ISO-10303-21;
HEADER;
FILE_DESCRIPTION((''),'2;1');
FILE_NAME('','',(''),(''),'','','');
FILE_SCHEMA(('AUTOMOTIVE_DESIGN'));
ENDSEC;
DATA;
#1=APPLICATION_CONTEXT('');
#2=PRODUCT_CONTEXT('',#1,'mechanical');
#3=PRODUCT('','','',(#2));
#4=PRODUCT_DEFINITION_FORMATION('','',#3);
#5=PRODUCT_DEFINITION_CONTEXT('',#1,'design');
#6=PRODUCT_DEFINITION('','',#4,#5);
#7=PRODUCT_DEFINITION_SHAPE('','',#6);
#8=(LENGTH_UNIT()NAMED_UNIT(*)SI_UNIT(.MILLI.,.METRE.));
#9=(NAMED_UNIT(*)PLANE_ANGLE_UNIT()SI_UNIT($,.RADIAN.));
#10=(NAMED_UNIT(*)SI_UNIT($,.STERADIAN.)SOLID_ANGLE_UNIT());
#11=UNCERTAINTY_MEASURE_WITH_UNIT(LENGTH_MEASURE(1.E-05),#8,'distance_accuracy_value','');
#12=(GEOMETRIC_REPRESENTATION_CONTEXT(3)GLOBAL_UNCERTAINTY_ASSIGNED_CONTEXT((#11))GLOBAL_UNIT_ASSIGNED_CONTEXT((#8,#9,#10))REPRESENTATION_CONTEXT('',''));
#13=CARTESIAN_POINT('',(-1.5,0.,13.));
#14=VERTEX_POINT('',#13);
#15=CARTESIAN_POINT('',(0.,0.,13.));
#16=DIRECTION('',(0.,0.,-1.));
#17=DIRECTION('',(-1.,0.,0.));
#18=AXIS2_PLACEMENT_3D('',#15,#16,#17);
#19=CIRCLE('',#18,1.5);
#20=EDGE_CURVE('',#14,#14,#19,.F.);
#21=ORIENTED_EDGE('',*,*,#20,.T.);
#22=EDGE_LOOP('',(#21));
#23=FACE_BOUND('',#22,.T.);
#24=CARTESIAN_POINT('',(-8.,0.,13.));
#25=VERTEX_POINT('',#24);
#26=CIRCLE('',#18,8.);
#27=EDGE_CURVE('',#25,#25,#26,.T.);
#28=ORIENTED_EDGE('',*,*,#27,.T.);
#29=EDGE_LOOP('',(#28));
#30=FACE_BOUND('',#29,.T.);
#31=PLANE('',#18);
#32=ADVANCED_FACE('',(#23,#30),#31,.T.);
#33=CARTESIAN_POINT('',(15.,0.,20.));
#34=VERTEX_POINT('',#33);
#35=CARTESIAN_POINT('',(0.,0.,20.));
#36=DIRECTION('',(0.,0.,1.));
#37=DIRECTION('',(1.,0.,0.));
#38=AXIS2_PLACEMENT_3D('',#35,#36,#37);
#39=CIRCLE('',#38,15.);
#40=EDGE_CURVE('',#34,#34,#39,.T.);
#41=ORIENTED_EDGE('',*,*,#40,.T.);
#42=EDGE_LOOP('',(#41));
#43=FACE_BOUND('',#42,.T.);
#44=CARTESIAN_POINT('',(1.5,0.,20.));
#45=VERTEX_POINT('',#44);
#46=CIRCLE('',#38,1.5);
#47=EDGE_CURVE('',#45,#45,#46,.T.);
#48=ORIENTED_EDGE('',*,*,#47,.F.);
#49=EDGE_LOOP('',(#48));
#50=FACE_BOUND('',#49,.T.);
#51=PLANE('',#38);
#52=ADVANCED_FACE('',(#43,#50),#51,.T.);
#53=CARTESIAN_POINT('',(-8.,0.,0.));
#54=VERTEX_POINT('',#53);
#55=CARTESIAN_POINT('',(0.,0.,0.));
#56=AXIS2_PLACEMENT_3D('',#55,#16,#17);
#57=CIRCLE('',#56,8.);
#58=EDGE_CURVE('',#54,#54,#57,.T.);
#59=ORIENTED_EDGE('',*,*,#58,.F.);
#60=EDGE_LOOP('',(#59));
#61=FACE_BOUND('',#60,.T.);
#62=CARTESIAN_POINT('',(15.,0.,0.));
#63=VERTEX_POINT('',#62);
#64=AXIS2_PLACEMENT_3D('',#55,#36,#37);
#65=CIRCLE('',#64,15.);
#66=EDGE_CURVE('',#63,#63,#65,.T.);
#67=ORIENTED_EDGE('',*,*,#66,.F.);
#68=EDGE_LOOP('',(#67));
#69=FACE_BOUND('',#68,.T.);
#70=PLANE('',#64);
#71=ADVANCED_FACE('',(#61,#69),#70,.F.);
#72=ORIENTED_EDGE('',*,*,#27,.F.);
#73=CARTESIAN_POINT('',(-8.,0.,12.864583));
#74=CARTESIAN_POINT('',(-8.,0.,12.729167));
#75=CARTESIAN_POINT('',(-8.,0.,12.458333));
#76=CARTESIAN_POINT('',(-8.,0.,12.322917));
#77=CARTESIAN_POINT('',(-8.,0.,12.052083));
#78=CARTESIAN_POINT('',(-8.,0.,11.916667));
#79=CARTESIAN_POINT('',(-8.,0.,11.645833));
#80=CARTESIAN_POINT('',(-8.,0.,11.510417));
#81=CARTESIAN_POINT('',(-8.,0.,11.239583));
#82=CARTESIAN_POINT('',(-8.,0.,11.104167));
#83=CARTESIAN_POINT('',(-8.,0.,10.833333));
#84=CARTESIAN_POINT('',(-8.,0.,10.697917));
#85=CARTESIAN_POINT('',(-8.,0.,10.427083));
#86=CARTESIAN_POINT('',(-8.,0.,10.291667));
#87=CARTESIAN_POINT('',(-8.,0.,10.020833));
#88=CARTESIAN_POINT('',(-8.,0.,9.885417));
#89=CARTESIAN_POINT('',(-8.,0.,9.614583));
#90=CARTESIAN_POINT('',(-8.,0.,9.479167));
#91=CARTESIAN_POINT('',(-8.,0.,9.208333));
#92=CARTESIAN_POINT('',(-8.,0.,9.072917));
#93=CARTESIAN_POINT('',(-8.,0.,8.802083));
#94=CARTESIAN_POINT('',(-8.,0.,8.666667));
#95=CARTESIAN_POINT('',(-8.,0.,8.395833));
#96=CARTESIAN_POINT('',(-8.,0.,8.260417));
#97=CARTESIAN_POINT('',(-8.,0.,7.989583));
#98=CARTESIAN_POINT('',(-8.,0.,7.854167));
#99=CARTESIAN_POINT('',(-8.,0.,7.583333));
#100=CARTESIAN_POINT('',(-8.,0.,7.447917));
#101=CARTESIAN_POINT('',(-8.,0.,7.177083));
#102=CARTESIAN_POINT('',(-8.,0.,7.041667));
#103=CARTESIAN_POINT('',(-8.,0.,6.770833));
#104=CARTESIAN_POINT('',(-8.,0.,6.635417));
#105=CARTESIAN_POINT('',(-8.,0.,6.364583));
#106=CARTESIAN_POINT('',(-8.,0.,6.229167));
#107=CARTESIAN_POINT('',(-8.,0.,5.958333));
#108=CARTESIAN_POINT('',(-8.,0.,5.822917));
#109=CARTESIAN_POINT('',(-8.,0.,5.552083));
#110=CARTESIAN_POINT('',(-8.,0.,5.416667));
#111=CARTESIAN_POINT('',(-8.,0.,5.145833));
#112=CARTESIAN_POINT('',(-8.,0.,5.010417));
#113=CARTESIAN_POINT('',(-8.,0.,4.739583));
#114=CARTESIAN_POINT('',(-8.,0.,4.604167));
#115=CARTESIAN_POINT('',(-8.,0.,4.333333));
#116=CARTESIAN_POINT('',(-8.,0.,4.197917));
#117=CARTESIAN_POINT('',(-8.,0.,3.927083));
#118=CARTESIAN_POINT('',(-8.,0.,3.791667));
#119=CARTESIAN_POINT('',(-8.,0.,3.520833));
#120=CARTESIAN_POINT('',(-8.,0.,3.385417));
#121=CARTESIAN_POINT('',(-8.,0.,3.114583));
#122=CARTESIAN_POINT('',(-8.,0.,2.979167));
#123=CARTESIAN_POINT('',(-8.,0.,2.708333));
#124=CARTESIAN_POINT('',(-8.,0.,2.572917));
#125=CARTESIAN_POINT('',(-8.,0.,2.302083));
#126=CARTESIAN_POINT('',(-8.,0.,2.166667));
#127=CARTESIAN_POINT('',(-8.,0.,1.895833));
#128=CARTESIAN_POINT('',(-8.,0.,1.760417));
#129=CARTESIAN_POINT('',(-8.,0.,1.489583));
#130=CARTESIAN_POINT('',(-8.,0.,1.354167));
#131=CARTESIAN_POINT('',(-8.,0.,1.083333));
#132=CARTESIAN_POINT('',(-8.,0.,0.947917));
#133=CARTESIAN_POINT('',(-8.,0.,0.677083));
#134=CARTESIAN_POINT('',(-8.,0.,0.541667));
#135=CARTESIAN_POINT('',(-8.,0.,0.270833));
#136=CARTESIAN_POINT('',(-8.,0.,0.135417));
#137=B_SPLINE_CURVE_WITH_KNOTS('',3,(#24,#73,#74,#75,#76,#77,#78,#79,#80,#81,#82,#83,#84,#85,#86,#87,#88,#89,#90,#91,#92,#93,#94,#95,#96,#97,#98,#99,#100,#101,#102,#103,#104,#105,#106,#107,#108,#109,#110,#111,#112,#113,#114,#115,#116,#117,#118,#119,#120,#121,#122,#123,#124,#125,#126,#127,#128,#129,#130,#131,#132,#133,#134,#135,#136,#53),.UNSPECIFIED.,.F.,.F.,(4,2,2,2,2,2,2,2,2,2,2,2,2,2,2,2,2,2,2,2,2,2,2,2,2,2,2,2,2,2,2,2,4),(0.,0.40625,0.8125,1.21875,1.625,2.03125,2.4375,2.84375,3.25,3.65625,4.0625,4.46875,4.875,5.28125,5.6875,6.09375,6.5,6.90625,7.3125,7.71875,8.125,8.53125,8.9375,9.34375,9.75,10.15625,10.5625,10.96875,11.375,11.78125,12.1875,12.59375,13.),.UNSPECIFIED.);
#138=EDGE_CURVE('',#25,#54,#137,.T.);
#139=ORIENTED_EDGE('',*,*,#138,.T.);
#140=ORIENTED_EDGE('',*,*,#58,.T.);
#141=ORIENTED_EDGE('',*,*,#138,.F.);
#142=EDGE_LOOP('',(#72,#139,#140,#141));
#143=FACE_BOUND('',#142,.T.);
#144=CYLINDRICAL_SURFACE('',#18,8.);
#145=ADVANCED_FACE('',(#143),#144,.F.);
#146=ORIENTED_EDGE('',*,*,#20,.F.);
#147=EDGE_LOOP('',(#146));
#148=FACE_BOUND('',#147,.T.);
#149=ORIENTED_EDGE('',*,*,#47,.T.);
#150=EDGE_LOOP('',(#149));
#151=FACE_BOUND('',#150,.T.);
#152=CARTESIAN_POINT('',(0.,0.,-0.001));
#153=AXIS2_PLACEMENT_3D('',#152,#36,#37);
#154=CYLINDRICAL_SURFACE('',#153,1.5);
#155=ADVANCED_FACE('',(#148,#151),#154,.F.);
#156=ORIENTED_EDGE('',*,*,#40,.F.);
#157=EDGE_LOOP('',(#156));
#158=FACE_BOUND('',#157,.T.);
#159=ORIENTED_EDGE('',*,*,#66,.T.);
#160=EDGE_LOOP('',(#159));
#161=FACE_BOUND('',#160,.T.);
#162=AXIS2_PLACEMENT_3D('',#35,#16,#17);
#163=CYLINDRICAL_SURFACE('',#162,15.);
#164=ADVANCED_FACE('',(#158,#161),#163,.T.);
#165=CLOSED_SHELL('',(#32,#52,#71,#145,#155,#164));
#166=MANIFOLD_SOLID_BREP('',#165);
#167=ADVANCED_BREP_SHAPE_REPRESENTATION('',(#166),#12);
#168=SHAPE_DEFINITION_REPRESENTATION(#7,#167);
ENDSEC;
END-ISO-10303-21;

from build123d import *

# Parameters (mm, degrees)
CROQUIS1_R              = 15
SALIENTE_EXTRUIR1_DEPTH = 20
CROQUIS2_R              = 8
CORTAR_EXTRUIR1_DEPTH   = 13
CORTAR_EXTRUIR2_REACH   = 31.155
CROQUIS3_R              = 1.5


with BuildPart() as part:
    # Croquis1 → Saliente-Extruir1 (new body)
    with BuildSketch(Plane.XY):
        Circle(CROQUIS1_R)
    extrude(amount=SALIENTE_EXTRUIR1_DEPTH)

    # Croquis2 → Cortar-Extruir1 (cut)
    with BuildSketch(Plane(origin=(0, 0, 0), x_dir=(-1, 0, 0), z_dir=(0, 0, -1))):
        Circle(CROQUIS2_R)
    extrude(amount=-CORTAR_EXTRUIR1_DEPTH, mode=Mode.SUBTRACT)

    # Croquis3 → Cortar-Extruir2 (cut, up to next)
    with BuildSketch(Plane.XY.offset(20), mode=Mode.PRIVATE) as cortar_extruir2_sk1:
        Circle(CROQUIS3_R)
    cortar_extruir2_tool1 = extrude(cortar_extruir2_sk1.sketch, amount=-CORTAR_EXTRUIR2_REACH, mode=Mode.PRIVATE) & part.part
    add(cortar_extruir2_tool1.solids().sort_by_distance((0, 0, 20))[0], mode=Mode.SUBTRACT)


solid = part.part
